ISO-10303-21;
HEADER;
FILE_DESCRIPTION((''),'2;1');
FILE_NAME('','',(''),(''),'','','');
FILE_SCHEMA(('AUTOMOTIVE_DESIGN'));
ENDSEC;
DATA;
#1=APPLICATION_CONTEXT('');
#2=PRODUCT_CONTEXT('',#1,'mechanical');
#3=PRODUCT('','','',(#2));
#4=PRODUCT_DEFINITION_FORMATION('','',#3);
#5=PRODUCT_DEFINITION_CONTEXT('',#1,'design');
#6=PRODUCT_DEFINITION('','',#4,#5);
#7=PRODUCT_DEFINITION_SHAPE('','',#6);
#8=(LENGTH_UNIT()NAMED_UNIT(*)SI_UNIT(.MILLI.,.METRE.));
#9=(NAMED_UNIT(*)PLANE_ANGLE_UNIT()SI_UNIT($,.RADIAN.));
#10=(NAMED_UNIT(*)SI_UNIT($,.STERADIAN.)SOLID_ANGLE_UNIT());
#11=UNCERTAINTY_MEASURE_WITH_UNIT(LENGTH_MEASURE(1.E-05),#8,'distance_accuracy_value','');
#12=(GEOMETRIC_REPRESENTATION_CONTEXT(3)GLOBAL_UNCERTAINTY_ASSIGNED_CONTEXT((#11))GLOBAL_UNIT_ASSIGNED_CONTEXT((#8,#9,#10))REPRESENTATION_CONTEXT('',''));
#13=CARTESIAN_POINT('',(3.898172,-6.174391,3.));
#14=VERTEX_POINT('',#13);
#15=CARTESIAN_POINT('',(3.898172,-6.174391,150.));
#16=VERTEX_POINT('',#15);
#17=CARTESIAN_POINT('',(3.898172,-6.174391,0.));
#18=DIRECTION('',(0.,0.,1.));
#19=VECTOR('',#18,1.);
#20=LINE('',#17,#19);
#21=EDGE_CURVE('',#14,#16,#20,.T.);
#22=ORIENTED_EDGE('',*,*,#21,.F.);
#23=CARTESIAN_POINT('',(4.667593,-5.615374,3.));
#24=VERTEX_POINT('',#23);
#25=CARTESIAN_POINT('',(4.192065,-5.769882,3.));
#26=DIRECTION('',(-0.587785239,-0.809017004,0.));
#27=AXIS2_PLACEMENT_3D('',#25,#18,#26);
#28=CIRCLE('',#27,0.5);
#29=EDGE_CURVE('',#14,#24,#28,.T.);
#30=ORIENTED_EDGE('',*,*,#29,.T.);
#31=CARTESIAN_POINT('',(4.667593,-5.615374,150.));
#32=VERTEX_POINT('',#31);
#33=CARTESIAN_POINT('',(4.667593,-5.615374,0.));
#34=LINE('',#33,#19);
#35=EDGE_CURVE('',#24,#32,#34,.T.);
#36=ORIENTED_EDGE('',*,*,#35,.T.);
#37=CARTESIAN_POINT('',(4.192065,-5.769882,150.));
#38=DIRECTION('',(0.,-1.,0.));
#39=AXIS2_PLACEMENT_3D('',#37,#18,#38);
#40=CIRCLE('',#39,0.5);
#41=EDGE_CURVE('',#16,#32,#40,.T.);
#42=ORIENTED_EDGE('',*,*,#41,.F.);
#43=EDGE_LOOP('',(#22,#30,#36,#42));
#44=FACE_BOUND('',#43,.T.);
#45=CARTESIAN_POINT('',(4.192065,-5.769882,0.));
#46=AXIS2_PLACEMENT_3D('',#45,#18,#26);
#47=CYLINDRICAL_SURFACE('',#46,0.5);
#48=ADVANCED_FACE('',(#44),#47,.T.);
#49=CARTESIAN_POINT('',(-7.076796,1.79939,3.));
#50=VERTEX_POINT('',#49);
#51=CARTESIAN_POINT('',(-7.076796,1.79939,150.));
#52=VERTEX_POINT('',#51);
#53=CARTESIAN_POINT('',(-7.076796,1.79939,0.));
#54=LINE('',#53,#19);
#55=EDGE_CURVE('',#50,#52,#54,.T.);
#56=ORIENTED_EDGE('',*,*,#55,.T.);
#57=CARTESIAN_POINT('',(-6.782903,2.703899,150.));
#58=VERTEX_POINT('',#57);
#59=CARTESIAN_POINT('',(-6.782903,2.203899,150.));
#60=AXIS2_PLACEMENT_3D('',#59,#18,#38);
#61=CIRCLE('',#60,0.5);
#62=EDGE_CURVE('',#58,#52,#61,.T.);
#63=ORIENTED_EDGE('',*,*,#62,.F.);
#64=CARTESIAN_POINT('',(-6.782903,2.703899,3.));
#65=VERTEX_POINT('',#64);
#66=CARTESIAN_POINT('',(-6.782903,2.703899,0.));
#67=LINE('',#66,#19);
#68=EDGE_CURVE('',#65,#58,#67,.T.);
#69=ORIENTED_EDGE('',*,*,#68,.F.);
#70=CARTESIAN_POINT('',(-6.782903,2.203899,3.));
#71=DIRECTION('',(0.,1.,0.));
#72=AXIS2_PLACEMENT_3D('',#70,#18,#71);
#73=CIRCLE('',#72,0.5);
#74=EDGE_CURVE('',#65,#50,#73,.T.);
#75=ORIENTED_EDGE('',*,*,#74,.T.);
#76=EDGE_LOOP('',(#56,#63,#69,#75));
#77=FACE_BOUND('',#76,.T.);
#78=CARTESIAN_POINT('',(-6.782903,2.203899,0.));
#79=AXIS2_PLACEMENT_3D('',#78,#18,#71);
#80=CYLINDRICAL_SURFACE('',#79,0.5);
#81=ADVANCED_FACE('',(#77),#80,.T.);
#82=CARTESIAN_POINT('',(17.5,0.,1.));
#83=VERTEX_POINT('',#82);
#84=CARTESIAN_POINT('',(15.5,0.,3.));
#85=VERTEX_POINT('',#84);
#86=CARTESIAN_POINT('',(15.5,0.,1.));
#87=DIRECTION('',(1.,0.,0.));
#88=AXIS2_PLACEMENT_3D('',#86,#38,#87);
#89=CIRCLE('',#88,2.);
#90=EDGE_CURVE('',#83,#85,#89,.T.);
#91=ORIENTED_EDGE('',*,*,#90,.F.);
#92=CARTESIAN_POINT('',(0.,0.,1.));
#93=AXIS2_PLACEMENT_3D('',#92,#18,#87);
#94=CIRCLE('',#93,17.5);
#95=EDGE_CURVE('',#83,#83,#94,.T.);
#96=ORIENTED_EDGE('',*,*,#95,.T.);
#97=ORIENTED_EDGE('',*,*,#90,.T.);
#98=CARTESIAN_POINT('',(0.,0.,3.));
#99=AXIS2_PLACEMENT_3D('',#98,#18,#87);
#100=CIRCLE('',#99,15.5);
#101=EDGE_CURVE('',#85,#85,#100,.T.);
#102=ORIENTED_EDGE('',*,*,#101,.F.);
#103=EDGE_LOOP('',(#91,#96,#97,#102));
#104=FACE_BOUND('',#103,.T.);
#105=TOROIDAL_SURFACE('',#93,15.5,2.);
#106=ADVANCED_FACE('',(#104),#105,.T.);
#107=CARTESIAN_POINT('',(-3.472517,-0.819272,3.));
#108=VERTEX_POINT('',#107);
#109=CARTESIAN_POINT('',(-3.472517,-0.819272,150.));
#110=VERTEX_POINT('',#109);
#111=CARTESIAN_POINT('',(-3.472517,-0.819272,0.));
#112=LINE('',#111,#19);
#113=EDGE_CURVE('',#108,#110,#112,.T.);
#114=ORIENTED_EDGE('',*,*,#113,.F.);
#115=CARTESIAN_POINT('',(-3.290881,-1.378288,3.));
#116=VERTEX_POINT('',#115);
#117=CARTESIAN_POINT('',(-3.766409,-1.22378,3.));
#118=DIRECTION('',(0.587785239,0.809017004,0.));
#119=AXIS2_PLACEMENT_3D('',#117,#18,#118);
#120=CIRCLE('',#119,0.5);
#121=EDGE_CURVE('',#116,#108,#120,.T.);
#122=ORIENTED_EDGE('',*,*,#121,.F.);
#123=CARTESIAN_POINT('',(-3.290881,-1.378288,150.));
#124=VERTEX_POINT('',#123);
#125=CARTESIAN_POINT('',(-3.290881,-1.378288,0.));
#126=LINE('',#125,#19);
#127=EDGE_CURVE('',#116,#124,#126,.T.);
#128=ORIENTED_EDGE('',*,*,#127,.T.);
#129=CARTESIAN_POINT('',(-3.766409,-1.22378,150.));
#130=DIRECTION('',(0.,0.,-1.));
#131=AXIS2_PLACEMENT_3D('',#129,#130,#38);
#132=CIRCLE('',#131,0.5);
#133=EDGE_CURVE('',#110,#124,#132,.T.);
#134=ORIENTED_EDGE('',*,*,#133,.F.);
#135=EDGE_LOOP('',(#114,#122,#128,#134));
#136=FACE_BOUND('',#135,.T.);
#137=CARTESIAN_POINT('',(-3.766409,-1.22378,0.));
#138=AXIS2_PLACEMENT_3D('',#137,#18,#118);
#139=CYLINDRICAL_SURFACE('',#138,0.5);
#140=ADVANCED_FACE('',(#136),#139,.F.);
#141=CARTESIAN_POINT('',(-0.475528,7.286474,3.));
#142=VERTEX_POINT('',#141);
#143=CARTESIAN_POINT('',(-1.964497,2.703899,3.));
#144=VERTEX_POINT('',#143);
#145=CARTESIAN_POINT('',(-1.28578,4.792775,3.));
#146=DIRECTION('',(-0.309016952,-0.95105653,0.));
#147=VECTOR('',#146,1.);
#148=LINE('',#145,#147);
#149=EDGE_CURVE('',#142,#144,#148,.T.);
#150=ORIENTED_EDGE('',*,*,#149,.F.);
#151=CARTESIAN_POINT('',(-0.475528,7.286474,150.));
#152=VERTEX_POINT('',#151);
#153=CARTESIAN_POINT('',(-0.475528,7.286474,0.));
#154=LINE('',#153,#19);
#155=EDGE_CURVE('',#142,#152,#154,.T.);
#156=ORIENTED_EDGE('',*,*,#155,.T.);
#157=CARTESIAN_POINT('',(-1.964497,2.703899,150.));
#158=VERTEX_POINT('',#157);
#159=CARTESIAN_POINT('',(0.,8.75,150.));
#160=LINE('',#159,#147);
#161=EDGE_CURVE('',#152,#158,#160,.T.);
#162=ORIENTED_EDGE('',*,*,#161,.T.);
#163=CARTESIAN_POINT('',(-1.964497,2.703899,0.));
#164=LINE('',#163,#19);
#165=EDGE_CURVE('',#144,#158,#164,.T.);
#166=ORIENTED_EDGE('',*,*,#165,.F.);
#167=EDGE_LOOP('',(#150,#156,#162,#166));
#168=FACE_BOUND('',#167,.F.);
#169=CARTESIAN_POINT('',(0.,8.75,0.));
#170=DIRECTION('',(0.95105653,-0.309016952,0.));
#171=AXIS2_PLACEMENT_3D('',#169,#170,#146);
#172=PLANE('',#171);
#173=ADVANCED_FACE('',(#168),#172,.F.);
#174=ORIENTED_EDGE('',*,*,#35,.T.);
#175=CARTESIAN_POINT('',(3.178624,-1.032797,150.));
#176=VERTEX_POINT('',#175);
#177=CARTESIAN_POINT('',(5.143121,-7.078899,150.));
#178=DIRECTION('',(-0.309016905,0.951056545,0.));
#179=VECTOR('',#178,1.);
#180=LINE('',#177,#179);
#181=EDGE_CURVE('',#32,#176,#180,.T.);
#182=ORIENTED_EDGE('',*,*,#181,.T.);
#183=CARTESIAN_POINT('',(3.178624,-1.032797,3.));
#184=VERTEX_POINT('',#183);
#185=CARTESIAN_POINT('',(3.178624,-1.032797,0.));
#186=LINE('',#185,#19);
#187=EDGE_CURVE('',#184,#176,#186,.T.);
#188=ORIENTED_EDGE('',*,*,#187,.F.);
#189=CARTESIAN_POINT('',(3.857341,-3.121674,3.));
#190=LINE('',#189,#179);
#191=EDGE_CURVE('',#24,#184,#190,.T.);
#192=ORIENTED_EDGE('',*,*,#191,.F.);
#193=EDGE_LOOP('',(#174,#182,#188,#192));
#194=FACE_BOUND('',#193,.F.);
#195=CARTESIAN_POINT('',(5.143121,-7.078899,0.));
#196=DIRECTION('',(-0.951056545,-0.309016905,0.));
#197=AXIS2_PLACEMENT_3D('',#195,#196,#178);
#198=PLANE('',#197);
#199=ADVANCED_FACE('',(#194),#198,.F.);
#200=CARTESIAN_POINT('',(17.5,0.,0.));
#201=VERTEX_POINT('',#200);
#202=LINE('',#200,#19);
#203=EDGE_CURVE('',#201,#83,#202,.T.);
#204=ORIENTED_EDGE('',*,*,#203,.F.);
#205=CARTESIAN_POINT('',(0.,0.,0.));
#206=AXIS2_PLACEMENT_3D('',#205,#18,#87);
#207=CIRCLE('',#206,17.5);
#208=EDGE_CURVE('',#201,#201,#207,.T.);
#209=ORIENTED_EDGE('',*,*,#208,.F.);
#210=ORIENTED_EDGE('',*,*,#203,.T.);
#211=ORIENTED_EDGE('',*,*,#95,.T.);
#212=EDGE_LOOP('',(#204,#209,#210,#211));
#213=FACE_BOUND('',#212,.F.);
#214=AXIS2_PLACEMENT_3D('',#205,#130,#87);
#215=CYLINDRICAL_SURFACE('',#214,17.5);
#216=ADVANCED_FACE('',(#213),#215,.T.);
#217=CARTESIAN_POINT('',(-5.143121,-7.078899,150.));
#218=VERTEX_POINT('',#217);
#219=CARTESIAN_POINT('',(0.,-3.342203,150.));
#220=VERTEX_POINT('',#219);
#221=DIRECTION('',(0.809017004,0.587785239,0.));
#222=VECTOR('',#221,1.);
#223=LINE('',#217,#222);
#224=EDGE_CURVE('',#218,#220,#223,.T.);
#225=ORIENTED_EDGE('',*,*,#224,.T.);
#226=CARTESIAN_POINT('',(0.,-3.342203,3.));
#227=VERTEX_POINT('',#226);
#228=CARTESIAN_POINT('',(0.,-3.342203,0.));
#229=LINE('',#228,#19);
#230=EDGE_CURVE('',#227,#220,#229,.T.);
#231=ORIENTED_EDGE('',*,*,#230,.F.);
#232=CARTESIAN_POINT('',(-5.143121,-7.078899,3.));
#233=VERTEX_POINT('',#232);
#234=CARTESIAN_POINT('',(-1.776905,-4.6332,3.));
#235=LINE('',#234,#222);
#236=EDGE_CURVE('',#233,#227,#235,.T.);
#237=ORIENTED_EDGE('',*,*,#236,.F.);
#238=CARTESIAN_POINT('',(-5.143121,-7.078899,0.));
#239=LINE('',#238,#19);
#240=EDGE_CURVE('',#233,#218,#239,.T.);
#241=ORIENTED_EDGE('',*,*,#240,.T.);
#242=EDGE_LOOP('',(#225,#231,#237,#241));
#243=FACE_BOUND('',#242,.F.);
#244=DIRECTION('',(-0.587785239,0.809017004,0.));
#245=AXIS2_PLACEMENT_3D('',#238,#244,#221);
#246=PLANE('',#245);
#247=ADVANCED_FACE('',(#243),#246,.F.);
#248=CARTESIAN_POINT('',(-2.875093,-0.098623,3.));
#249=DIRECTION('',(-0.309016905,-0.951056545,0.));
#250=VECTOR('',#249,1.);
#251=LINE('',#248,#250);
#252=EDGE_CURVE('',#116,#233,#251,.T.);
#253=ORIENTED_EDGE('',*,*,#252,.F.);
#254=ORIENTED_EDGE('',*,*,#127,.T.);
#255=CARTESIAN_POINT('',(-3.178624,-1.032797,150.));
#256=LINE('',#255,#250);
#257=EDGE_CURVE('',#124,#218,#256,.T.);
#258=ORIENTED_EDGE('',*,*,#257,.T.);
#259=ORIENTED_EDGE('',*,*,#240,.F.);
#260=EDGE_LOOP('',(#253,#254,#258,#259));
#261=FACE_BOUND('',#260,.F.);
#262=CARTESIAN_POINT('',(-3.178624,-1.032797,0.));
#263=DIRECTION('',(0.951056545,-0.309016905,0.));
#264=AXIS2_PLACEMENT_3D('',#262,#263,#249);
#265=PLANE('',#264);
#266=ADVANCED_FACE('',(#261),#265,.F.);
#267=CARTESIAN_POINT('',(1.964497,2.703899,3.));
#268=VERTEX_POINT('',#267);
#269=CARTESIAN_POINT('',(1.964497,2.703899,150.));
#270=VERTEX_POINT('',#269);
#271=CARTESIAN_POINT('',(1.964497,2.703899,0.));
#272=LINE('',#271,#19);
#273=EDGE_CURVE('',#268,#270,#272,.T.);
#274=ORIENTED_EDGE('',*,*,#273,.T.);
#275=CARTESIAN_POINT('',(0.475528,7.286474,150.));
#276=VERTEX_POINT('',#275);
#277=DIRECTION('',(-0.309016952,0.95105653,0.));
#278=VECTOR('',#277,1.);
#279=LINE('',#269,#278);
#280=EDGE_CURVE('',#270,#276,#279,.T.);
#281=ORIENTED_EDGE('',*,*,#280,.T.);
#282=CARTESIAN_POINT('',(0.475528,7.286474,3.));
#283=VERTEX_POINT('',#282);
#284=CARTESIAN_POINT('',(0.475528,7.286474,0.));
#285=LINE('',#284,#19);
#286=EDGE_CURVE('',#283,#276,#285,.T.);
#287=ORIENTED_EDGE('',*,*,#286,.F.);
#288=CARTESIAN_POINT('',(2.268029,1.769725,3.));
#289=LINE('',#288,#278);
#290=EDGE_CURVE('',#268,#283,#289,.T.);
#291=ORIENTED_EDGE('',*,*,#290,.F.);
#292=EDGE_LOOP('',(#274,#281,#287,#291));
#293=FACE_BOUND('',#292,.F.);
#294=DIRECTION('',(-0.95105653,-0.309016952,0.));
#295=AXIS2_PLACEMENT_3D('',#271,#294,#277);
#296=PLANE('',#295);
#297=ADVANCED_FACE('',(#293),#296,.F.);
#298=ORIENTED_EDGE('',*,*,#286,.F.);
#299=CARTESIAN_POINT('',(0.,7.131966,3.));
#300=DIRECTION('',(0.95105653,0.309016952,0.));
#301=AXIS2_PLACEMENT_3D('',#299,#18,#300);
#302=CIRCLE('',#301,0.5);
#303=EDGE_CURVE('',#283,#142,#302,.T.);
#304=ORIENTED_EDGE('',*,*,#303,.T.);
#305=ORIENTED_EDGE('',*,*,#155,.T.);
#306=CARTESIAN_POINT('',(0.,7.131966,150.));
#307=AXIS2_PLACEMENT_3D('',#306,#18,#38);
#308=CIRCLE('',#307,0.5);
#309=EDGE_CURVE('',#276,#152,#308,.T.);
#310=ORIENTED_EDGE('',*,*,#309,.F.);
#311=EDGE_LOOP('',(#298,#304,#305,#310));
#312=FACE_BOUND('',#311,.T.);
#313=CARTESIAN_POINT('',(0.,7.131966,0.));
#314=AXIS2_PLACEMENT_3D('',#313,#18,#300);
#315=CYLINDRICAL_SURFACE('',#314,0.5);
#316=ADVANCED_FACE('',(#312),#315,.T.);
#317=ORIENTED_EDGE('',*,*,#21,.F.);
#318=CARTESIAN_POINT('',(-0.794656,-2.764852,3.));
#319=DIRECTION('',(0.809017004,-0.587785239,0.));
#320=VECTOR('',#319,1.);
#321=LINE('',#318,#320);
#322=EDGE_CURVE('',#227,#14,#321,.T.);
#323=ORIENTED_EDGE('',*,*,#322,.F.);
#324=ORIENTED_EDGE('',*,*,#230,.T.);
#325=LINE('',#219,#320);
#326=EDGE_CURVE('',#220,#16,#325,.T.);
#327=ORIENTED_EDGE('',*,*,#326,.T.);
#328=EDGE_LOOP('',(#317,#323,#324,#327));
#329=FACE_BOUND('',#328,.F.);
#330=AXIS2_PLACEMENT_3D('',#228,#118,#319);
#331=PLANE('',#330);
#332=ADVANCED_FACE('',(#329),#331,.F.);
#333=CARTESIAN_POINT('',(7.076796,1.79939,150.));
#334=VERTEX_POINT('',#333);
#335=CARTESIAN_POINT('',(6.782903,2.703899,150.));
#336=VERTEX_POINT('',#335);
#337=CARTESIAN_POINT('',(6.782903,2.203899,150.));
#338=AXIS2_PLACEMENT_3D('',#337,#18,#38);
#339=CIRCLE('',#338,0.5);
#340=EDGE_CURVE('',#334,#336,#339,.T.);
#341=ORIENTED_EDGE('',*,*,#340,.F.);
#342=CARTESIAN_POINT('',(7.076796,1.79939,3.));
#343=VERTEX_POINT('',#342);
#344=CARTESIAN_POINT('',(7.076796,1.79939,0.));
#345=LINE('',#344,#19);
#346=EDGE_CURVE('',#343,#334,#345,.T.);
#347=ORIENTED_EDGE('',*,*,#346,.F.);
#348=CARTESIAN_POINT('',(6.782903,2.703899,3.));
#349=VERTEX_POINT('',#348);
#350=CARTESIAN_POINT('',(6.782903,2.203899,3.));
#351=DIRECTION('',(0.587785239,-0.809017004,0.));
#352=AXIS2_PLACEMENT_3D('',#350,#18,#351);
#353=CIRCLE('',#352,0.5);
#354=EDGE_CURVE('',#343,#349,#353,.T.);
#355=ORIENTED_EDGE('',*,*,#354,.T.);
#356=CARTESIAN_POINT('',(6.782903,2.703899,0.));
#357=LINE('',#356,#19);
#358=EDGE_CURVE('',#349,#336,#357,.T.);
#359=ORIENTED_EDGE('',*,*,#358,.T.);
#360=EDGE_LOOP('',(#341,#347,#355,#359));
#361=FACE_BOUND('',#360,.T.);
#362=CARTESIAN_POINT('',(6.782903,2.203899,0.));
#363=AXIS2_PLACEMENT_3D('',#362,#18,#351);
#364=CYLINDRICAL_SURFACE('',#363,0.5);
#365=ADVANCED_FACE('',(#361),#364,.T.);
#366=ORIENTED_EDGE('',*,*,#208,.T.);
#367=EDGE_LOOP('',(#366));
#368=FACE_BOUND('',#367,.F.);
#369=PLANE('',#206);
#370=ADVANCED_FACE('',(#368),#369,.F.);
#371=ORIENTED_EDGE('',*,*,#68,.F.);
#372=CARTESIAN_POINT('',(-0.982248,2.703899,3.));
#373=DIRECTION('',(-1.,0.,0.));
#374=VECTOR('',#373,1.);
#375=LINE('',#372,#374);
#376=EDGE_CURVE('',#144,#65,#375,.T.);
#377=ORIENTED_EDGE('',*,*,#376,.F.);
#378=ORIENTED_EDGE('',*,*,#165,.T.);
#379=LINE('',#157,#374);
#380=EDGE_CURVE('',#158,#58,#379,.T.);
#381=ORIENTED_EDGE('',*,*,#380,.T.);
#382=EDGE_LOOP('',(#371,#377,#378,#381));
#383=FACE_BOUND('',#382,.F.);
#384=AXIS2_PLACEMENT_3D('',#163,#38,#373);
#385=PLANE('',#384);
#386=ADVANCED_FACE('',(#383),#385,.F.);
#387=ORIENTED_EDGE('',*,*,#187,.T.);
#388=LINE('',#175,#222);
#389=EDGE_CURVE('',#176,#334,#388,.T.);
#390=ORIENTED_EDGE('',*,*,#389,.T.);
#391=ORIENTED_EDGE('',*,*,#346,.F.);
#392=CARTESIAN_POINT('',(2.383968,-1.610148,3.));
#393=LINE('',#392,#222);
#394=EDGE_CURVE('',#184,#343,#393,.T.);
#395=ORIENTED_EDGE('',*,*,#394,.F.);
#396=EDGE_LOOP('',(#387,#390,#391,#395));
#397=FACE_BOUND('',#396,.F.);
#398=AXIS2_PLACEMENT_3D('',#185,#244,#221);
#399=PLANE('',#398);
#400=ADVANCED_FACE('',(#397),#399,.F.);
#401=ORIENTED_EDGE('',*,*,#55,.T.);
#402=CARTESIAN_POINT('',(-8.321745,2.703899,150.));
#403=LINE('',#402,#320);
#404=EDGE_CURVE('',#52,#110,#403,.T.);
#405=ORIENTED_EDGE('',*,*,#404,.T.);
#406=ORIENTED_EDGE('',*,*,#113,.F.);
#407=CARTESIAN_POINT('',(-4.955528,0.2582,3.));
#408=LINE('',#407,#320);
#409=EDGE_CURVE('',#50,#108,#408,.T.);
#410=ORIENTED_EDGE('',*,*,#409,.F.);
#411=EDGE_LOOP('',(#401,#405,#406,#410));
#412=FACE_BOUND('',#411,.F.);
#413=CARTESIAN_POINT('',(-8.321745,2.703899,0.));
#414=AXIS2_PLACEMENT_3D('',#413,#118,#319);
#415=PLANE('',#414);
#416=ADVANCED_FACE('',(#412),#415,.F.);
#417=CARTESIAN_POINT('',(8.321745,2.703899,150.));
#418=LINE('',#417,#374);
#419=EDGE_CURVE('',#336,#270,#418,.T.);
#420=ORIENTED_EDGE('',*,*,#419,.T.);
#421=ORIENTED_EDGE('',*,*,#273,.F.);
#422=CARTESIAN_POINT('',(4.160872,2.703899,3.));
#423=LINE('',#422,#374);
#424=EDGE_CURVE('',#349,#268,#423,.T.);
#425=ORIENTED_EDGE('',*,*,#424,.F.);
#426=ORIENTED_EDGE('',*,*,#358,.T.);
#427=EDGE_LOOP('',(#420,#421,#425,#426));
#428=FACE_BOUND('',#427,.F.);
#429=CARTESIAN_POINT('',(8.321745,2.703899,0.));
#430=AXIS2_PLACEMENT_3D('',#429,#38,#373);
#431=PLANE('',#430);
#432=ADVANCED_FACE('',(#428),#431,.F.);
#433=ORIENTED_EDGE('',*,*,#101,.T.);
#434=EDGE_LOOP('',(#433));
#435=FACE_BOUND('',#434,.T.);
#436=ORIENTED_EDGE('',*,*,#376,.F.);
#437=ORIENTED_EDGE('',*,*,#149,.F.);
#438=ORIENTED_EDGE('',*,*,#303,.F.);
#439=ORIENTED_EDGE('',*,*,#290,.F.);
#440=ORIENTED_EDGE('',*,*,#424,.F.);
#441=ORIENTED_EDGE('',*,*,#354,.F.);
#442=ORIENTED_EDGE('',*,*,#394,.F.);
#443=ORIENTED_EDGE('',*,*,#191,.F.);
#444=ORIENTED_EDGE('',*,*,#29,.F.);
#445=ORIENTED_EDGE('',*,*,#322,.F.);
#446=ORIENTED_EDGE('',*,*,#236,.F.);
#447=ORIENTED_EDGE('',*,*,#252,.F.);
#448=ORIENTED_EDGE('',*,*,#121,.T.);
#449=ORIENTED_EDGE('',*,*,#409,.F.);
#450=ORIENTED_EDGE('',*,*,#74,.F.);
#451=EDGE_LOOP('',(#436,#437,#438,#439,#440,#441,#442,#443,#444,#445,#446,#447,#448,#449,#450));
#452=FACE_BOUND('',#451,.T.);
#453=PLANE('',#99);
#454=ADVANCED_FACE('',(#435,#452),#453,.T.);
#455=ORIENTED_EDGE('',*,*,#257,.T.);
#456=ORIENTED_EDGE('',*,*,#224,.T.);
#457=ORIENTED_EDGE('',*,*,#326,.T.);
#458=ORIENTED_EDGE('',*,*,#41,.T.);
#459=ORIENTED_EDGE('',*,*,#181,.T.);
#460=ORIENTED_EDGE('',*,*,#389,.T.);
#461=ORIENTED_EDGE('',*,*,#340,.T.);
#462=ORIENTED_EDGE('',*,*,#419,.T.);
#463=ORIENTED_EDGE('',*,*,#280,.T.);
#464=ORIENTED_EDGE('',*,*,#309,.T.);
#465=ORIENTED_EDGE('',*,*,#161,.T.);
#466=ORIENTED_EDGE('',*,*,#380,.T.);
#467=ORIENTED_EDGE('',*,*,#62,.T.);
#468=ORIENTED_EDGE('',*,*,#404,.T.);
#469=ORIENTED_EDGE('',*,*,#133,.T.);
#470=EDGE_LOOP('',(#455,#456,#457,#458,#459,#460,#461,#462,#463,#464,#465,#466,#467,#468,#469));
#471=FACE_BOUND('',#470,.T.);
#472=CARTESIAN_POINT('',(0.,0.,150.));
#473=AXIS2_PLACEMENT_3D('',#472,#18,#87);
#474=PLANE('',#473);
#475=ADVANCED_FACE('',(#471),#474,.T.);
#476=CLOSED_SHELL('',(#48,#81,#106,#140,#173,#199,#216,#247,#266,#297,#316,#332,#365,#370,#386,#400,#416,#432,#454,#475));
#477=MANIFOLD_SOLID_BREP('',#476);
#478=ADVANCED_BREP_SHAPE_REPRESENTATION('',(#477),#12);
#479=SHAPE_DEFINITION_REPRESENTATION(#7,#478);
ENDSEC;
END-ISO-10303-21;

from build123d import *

# Parameters (mm, degrees)
F1_DEPTH = 150
F2_R     = 0.5
F3_R     = 17.5
F4_DEPTH = 3
F5_R     = 2


with BuildPart() as f1:
    # F0 (on Top) → F1 (new body)
    with BuildSketch(Plane.XY):
        Polygon((3.178624, -1.032797), (8.321745, 2.703899), (1.964497, 2.703899), (0, 8.75), (-1.964497, 2.703899), (-8.321745, 2.703899), (-3.178624, -1.032797), (-5.143121, -7.078899), (0, -3.342203), (5.143121, -7.078899), align=None)
    extrude(amount=F1_DEPTH)

    # F2
    f2_edges = [f1.edges().sort_by_distance(p)[0] for p in [
        (-8.321745, 2.703899, 75),
        (-3.178624, -1.032797, 75),
        (5.143121, -7.078899, 75),
        (0, 8.75, 75),
        (8.321745, 2.703899, 75),
    ]]
    fillet(f2_edges, radius=F2_R)

    # F3 (on Top) → F4 (join)
    with BuildSketch(Plane.XY):
        Circle(F3_R)
    extrude(amount=F4_DEPTH)

    # F5
    f5_edges = [f1.edges().sort_by_distance(p)[0] for p in [
        (-17.5, 0, 3),
    ]]
    fillet(f5_edges, radius=F5_R)


solid = f1.part
